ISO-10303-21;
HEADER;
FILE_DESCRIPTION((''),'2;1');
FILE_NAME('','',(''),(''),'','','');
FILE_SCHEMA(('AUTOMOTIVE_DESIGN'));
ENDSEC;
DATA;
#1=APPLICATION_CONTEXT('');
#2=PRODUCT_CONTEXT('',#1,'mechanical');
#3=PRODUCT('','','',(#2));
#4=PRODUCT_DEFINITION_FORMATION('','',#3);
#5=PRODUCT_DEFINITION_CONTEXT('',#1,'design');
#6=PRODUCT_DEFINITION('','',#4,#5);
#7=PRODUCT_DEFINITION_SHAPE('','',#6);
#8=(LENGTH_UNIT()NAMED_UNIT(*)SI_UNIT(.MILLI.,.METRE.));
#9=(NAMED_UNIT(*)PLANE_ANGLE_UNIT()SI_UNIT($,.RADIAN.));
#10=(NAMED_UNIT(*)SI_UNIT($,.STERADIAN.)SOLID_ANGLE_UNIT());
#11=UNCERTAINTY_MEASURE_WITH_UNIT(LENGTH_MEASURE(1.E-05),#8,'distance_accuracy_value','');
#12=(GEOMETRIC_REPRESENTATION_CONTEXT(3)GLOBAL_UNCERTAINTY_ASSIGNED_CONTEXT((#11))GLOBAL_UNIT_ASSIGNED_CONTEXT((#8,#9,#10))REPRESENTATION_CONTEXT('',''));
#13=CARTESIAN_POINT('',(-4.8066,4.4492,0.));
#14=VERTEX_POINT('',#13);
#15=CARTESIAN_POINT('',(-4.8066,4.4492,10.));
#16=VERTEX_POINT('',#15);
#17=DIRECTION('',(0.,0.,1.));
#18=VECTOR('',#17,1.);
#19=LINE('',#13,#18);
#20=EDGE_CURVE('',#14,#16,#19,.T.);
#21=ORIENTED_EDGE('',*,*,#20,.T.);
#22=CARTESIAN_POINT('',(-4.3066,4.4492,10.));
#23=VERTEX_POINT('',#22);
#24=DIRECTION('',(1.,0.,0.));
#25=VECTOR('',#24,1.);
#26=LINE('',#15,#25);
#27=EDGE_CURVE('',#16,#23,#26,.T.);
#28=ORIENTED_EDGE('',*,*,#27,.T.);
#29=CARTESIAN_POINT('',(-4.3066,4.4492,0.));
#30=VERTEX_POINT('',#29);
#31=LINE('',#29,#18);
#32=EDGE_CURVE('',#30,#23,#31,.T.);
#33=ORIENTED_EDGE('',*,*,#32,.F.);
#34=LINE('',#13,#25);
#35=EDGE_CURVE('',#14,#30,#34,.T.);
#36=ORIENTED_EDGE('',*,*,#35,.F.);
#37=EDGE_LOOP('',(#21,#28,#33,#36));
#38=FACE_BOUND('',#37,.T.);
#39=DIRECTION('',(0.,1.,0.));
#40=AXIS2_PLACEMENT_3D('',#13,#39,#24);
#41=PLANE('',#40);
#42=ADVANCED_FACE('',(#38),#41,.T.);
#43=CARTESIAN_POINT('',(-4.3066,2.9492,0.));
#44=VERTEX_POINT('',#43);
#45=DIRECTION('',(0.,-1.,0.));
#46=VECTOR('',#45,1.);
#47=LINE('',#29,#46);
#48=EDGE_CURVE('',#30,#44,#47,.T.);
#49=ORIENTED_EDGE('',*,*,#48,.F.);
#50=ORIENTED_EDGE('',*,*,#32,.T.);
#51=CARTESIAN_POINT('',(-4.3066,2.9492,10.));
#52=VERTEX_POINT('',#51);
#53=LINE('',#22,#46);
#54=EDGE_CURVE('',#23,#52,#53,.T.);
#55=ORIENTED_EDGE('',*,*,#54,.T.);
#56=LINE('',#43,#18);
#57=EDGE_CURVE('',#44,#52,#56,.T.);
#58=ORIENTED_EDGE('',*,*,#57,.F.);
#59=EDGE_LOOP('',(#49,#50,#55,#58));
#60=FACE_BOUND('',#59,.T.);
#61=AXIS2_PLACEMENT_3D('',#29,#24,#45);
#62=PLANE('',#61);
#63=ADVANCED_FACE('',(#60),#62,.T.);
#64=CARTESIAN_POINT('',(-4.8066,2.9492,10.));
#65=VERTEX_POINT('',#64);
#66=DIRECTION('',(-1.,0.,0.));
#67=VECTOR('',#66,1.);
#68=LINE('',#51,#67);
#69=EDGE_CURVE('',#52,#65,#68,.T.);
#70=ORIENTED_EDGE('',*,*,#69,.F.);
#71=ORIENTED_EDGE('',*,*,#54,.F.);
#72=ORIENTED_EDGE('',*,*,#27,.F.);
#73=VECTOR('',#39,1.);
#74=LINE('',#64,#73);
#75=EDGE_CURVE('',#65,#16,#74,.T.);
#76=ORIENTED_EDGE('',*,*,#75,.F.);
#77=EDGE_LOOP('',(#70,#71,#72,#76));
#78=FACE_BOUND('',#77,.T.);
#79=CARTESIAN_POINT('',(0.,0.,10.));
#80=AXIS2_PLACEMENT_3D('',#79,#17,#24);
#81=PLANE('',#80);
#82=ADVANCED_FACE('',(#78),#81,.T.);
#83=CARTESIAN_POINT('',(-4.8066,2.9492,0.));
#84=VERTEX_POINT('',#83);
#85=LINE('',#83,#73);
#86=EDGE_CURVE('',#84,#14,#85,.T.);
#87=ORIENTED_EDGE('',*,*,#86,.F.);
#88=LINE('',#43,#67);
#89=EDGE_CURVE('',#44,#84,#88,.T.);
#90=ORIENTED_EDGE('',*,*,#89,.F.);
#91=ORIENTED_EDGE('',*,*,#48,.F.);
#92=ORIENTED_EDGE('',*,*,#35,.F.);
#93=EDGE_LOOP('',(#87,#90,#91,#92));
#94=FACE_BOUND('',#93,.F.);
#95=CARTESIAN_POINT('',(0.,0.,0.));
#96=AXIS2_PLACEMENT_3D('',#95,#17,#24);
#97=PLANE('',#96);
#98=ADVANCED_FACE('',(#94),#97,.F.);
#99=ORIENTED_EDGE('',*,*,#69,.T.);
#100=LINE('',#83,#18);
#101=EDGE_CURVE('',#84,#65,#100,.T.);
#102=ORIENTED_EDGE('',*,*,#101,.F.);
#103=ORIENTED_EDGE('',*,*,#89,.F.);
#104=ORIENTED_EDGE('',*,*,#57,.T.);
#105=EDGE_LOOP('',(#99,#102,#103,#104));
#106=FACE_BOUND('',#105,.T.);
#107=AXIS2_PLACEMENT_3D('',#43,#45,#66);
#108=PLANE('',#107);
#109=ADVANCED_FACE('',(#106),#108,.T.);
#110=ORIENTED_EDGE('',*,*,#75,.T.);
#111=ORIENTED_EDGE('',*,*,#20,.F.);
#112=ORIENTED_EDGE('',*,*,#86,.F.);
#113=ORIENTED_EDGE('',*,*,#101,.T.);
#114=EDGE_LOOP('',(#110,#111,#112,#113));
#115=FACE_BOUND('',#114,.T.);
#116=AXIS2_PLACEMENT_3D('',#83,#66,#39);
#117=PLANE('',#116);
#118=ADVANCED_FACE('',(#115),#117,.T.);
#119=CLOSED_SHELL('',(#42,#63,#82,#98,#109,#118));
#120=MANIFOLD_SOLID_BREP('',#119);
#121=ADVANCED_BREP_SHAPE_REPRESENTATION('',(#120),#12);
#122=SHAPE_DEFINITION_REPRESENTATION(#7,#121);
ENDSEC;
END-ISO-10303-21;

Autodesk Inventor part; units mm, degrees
ref_plane "YZ Plane" through (0, 0, 0) normal (1, 0, 0) x (0, 1, 0)
ref_plane "XZ Plane" through (0, 0, 0) normal (0, 1, 0) x (-1, 0, 0)
ref_plane "XY Plane" through (0, 0, 0) normal (0, 0, 1) x (1, 0, 0)
sketch "Sketch1" plane through (0, 0, 0) normal (0, 0, 1) x (1, 0, 0)
  line L0 (-4.8066, 4.4492) -> (-4.3066, 4.4492)
  line L1 (-4.3066, 4.4492) -> (-4.3066, 2.9492)
  line L2 (-4.3066, 2.9492) -> (-4.8066, 2.9492)
  line L3 (-4.8066, 2.9492) -> (-4.8066, 4.4492)
  point P0 (0, 0)
  dimension "d0" = 1.5
  dimension "d1" = 0.5
extrude "Extrusion1" add sketch "Sketch1" along normal blind 10
properties part number "McCrea_obdlznicky_kos_walle_MIR2" material "ABS Plastic"
